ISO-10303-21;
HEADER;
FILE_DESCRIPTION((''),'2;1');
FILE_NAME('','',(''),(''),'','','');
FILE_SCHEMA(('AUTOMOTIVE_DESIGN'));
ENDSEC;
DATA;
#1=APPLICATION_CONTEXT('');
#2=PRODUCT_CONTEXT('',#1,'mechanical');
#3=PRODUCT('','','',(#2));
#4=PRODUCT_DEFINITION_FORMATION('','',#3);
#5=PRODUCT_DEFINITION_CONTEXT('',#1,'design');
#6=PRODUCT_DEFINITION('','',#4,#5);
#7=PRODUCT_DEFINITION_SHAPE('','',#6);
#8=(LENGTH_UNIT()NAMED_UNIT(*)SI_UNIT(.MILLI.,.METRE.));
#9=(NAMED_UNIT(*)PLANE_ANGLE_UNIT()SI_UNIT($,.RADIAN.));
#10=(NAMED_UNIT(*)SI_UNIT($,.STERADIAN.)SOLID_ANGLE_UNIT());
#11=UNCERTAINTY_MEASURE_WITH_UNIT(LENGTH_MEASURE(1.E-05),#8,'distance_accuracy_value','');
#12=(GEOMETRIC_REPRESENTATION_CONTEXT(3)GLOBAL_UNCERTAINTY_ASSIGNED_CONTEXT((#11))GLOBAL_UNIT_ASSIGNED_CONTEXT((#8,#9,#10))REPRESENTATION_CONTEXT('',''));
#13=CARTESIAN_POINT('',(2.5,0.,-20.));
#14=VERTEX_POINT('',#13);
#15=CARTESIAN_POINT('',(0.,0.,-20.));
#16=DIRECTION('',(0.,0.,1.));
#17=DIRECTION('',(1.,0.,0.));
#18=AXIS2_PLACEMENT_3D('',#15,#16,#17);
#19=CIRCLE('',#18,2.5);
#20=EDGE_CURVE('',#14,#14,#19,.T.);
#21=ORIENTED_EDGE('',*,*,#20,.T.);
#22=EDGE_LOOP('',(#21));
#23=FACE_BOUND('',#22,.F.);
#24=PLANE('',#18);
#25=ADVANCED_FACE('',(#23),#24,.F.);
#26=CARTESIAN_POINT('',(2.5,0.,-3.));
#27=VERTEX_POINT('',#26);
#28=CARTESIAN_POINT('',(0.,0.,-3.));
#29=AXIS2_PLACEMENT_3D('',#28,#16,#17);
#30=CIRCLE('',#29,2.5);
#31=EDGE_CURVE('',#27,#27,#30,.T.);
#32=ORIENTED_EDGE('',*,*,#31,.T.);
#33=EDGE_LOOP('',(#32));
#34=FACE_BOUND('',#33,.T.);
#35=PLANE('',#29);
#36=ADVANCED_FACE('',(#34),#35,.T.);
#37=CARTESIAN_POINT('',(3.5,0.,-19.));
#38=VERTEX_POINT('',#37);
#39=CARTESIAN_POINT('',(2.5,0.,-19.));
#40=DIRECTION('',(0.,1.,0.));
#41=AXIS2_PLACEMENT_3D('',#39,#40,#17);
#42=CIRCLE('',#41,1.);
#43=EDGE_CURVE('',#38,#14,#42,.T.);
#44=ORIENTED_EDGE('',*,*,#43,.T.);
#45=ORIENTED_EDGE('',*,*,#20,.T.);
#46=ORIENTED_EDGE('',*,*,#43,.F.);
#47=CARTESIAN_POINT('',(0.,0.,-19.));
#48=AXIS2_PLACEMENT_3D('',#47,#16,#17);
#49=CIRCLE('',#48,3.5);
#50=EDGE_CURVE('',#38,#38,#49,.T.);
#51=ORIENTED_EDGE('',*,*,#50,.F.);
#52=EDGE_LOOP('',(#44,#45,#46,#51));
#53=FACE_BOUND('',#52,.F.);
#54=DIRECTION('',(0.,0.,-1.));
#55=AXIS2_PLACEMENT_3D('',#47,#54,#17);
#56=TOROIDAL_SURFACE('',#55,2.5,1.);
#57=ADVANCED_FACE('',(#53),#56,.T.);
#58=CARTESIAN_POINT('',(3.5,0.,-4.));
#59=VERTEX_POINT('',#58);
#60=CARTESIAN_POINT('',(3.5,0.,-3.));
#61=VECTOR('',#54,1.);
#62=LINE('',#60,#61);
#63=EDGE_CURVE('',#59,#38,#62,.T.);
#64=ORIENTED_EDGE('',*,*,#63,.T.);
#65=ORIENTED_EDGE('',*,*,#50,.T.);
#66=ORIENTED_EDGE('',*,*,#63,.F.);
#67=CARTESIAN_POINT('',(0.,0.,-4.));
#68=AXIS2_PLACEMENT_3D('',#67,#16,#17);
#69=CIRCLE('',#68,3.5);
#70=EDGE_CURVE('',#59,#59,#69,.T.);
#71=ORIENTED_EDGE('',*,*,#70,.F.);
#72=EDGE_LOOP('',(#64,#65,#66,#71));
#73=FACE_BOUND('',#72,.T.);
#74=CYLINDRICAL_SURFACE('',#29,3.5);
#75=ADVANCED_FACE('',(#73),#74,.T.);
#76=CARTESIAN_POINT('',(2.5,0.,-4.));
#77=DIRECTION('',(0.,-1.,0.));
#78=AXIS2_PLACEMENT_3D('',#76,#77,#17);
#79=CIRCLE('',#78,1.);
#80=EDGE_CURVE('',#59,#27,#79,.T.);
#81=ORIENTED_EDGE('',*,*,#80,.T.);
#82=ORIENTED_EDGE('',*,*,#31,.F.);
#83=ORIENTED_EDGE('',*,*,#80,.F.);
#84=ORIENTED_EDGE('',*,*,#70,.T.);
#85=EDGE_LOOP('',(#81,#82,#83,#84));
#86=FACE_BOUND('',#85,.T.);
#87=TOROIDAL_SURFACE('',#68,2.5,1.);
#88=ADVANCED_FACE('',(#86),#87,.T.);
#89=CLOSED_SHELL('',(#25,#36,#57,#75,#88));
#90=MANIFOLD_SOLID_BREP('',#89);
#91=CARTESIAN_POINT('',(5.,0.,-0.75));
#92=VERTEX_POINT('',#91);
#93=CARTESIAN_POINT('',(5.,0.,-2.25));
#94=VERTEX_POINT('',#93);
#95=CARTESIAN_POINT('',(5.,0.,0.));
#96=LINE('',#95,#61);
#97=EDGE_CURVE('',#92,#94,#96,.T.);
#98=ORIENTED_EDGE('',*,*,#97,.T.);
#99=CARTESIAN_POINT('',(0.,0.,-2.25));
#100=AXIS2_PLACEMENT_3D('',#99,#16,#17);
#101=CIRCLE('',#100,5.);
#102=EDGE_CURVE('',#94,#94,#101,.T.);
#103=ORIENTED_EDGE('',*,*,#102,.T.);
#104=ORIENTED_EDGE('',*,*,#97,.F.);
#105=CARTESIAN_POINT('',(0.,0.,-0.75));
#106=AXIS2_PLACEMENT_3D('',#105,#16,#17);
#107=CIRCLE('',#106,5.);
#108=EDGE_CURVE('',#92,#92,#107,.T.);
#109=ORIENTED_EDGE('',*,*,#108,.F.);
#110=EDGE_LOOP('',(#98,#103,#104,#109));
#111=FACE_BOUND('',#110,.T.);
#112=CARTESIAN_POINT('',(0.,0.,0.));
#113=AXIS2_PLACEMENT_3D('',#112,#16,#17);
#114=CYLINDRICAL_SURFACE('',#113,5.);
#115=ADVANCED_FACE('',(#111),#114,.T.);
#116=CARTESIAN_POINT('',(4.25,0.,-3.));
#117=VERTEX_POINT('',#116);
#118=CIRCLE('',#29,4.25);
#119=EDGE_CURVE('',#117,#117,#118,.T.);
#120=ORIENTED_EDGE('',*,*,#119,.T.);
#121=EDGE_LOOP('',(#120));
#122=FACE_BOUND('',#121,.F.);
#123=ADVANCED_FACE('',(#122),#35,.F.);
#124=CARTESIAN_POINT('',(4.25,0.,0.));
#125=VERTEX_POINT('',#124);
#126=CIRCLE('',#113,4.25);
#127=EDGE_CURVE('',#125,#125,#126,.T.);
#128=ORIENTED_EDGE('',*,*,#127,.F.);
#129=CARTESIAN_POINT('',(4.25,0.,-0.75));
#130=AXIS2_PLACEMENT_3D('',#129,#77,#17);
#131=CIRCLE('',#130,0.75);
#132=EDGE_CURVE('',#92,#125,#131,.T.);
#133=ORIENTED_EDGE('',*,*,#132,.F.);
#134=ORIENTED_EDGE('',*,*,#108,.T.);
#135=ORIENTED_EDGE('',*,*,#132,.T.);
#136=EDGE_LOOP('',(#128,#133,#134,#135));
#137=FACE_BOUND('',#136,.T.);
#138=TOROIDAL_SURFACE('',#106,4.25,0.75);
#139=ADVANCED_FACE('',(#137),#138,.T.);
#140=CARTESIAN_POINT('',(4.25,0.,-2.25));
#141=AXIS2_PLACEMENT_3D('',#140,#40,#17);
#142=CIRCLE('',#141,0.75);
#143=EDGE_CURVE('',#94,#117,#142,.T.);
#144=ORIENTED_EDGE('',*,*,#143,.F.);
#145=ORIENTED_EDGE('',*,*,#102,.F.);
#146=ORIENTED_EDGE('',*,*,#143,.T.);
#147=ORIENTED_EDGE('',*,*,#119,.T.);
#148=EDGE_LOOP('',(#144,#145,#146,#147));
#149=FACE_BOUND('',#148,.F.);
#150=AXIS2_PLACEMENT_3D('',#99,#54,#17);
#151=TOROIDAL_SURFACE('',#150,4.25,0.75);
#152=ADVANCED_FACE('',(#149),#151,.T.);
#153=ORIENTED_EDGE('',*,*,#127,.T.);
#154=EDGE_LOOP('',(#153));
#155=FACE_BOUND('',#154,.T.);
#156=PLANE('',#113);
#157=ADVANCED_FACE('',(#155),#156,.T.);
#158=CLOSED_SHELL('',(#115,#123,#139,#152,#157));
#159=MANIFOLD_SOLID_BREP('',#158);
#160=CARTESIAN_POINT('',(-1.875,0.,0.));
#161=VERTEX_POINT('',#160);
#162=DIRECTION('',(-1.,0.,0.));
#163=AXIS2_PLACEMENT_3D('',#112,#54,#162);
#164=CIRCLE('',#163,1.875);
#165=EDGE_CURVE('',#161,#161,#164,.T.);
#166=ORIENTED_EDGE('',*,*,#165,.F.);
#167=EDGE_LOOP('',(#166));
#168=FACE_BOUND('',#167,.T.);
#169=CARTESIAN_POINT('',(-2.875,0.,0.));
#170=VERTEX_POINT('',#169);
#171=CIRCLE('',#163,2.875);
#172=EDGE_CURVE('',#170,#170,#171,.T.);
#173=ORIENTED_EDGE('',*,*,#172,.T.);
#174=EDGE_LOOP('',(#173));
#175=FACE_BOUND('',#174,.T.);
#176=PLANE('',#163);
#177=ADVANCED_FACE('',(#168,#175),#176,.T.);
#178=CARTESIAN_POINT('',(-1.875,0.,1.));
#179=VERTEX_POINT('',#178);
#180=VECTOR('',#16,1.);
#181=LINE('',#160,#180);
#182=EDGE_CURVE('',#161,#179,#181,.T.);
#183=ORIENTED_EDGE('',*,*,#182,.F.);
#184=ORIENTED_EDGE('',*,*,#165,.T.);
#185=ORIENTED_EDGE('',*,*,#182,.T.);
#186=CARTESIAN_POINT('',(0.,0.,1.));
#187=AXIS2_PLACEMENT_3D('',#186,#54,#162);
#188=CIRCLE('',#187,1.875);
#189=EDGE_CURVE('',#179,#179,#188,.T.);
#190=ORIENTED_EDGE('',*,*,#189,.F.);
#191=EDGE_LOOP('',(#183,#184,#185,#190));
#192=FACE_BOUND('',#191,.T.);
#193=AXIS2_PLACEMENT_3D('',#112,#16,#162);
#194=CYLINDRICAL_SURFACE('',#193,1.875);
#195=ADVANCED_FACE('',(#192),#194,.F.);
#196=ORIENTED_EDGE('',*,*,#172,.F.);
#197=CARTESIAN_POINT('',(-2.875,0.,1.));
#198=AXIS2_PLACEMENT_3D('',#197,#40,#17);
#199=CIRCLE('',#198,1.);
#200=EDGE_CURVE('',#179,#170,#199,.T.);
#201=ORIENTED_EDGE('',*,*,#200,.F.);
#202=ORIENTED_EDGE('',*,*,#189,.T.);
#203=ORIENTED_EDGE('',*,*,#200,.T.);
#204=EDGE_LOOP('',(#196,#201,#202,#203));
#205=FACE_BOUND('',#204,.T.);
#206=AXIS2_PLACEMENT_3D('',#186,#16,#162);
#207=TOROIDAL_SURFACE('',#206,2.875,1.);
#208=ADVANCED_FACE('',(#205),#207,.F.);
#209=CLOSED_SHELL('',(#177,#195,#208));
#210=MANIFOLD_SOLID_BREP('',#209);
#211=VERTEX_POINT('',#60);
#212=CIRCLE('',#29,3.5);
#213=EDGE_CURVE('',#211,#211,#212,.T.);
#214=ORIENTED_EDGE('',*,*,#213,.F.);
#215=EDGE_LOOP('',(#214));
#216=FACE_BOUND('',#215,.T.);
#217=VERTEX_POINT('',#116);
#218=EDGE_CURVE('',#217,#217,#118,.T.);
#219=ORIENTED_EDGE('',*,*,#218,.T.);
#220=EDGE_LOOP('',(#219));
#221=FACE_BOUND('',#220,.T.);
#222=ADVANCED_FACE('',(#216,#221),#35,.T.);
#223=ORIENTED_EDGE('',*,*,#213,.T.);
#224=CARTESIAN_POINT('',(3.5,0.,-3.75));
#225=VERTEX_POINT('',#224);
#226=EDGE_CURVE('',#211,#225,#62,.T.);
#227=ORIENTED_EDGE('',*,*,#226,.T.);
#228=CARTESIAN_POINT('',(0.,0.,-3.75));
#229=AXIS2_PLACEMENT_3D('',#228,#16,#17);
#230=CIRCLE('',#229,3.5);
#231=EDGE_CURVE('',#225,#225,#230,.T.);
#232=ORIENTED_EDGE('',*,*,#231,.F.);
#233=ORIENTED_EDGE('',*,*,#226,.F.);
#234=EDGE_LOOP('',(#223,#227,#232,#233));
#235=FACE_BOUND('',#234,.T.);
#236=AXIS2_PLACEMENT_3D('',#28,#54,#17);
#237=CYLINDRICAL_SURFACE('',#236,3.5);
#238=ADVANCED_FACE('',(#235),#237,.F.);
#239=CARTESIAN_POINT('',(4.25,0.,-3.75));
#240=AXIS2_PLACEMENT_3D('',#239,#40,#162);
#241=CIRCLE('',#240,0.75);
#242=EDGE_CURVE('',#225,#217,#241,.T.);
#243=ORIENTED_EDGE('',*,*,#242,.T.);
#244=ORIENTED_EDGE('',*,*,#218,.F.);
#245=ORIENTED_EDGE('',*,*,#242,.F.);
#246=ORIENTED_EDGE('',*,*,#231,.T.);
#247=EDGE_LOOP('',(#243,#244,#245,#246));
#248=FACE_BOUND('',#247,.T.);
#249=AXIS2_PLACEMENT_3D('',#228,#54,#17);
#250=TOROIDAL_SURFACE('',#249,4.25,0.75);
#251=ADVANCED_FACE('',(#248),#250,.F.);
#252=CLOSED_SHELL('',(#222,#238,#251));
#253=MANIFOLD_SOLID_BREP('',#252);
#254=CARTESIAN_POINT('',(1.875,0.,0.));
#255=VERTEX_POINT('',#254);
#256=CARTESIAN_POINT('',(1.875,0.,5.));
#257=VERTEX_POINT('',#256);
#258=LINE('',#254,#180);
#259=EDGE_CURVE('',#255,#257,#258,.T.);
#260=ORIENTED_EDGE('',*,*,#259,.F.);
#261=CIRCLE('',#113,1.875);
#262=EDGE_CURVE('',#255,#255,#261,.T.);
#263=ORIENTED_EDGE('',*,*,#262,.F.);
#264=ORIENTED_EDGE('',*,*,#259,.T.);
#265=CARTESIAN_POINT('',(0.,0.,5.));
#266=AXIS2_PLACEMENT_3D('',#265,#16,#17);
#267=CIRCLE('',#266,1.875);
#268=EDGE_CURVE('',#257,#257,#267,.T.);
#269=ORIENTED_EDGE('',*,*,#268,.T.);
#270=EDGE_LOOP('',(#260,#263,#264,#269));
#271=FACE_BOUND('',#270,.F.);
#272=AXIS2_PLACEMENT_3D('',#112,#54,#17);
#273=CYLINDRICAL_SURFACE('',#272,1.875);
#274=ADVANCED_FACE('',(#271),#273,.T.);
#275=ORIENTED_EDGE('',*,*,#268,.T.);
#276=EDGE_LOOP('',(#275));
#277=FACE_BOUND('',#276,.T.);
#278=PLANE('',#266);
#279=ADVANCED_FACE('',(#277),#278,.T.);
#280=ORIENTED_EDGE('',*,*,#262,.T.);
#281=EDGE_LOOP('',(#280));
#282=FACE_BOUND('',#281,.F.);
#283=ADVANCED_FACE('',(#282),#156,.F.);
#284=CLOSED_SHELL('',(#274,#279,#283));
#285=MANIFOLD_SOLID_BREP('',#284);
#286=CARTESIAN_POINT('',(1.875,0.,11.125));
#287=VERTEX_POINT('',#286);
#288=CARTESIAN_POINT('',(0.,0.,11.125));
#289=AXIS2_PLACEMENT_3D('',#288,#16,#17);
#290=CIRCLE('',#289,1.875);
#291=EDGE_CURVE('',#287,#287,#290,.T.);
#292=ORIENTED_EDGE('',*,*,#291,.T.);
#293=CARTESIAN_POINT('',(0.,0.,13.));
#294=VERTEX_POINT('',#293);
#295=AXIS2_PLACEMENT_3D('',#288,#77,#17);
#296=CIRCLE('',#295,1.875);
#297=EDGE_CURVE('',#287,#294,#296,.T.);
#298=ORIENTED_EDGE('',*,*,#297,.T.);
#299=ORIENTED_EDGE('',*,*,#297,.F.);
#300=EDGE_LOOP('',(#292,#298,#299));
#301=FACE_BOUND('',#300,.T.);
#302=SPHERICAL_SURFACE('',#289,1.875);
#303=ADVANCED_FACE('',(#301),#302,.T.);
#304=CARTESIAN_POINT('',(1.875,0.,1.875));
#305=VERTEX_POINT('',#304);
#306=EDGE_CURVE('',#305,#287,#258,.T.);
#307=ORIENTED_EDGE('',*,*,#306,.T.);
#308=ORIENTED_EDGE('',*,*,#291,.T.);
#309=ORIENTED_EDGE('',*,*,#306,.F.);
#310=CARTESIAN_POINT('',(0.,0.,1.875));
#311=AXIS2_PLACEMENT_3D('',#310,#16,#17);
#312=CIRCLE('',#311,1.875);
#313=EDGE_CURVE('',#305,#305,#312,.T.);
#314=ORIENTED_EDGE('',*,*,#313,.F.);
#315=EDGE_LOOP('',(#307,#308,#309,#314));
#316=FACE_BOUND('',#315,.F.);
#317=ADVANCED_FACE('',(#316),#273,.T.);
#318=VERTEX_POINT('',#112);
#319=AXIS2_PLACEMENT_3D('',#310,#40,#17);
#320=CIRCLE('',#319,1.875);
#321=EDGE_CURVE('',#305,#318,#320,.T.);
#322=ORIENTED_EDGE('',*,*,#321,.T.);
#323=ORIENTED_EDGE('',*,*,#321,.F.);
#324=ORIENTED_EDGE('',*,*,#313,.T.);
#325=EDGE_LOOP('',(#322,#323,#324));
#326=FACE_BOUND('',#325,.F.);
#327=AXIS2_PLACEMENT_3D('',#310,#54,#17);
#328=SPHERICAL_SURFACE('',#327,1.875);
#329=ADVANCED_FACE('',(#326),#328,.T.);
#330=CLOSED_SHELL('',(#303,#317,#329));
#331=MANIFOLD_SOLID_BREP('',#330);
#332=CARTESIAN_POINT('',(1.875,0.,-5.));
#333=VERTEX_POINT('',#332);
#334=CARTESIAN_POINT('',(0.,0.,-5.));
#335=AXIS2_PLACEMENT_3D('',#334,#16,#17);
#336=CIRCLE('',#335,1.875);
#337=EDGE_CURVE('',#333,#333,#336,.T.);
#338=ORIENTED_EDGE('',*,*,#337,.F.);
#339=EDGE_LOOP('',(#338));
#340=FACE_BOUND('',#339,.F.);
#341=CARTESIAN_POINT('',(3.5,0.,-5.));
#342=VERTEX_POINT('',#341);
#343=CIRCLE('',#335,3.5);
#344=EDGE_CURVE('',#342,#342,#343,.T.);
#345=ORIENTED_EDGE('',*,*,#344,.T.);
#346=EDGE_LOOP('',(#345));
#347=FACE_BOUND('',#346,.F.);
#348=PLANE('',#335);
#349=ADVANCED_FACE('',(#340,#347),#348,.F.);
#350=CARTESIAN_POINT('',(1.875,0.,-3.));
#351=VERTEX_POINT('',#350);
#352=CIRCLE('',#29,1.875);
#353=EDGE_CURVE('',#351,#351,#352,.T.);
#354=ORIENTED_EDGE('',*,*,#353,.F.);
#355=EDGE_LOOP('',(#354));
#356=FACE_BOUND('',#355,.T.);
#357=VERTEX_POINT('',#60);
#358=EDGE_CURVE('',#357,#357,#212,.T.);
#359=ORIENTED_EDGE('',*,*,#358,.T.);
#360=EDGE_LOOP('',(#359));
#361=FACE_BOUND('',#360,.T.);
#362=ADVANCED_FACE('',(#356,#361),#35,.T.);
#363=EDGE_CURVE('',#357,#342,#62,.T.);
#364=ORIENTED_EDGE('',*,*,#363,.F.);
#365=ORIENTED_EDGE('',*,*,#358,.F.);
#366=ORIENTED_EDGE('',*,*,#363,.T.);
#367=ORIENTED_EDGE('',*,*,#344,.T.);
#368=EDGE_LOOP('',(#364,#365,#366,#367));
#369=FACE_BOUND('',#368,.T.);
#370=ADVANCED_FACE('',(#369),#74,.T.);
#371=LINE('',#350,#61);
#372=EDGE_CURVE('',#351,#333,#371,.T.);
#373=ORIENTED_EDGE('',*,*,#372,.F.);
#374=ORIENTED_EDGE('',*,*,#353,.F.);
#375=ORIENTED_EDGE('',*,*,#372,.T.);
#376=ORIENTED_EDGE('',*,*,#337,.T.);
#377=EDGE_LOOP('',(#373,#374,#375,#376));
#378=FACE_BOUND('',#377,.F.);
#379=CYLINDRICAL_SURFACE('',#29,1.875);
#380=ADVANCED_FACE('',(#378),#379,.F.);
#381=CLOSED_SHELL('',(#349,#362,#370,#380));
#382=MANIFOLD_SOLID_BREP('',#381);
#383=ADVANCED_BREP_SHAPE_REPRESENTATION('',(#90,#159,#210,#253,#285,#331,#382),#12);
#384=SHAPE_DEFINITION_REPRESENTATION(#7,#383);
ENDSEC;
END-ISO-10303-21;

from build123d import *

# Parameters (mm, degrees)
F0_R      = 1.875
F1_DEPTH  = 13
F2_START  = -3
F0_R_2    = 3.5
F2_DEPTH  = 17
F0_R_3    = 5
F3_DEPTH  = 3
F4_R      = 1.875
F5_DEPTH  = 5
F8_R      = 0.75
F9_R      = 1
F10_START = -3
F10_DEPTH = 2


with BuildPart() as f1:
    # F0 (on Top) → F1 (new body)
    with BuildSketch(Plane.XY):
        Circle(F0_R)
    extrude(amount=F1_DEPTH)

    # F4
    f4_edges = [f1.edges().sort_by_distance(p)[0] for p in [
        (1.875, 0, 6.5),
        (-1.875, 0, 0),
        (-1.875, 0, 13),
    ]]
    fillet(f4_edges, radius=F4_R)


with BuildPart() as f2:
    # F0 (on Top) → F2 (new body)
    with BuildSketch(Plane.XY.offset(F2_START)):
        Circle(F0_R_2)
        Circle(F0_R, mode=Mode.SUBTRACT)
        Circle(F0_R)
    extrude(amount=-F2_DEPTH)

    # F9
    f9_edges = [f2.edges().sort_by_distance(p)[0] for p in [
        (3.5, 0, -11.5),
        (-3.5, 0, -3),
        (-3.5, 0, -20),
    ]]
    fillet(f9_edges, radius=F9_R)


with BuildPart() as f3:
    # F0 (on Top) → F3 (new body)
    with BuildSketch(Plane.XY):
        Circle(F0_R_3)
        Circle(F0_R_2, mode=Mode.SUBTRACT)
        Circle(F0_R_2)
        Circle(F0_R, mode=Mode.SUBTRACT)
        Circle(F0_R)
    extrude(amount=-F3_DEPTH)

    # F8
    f8_edges = [f3.edges().sort_by_distance(p)[0] for p in [
        (5, 0, -1.5),
        (-5, 0, 0),
        (-5, 0, -3),
    ]]
    fillet(f8_edges, radius=F8_R)


with BuildPart() as f5:
    # F0 (on Top) → F5 (new body)
    with BuildSketch(Plane.XY):
        Circle(F0_R)
    extrude(amount=F5_DEPTH)


with BuildPart() as f7:
    # F6 (on Front) → F7 (revolve)
    with BuildSketch(Plane.XZ):
        with BuildLine():
            Line((-1.875, 0), (-1.875, 1))
            ThreePointArc((-1.875, 1), (-2.1678932188, 0.2928932188), (-2.875, 0))
            Line((-2.875, 0), (-1.875, 0))
        make_face()
    revolve(axis=Axis((0, 0, 0), (0, 0, -1)))


with BuildPart() as f10:
    # F0 (on Top) → F10 (new body)
    with BuildSketch(Plane.XY.offset(F10_START)):
        Circle(F0_R_2)
        Circle(F0_R, mode=Mode.SUBTRACT)
    extrude(amount=-F10_DEPTH)


with BuildPart() as f12:
    # F11 (on Front) → F12 (revolve)
    with BuildSketch(Plane.XZ):
        with BuildLine():
            ThreePointArc((3.5, -3.75), (3.7196699141, -3.2196699141), (4.25, -3))
            Line((4.25, -3), (3.5, -3))
            Line((3.5, -3), (3.5, -3.75))
        make_face()
    revolve(axis=Axis((0, 0, -3), (0, 0, 1)))


solid = Compound([f1.part, f2.part, f3.part, f5.part, f7.part, f10.part, f12.part])
